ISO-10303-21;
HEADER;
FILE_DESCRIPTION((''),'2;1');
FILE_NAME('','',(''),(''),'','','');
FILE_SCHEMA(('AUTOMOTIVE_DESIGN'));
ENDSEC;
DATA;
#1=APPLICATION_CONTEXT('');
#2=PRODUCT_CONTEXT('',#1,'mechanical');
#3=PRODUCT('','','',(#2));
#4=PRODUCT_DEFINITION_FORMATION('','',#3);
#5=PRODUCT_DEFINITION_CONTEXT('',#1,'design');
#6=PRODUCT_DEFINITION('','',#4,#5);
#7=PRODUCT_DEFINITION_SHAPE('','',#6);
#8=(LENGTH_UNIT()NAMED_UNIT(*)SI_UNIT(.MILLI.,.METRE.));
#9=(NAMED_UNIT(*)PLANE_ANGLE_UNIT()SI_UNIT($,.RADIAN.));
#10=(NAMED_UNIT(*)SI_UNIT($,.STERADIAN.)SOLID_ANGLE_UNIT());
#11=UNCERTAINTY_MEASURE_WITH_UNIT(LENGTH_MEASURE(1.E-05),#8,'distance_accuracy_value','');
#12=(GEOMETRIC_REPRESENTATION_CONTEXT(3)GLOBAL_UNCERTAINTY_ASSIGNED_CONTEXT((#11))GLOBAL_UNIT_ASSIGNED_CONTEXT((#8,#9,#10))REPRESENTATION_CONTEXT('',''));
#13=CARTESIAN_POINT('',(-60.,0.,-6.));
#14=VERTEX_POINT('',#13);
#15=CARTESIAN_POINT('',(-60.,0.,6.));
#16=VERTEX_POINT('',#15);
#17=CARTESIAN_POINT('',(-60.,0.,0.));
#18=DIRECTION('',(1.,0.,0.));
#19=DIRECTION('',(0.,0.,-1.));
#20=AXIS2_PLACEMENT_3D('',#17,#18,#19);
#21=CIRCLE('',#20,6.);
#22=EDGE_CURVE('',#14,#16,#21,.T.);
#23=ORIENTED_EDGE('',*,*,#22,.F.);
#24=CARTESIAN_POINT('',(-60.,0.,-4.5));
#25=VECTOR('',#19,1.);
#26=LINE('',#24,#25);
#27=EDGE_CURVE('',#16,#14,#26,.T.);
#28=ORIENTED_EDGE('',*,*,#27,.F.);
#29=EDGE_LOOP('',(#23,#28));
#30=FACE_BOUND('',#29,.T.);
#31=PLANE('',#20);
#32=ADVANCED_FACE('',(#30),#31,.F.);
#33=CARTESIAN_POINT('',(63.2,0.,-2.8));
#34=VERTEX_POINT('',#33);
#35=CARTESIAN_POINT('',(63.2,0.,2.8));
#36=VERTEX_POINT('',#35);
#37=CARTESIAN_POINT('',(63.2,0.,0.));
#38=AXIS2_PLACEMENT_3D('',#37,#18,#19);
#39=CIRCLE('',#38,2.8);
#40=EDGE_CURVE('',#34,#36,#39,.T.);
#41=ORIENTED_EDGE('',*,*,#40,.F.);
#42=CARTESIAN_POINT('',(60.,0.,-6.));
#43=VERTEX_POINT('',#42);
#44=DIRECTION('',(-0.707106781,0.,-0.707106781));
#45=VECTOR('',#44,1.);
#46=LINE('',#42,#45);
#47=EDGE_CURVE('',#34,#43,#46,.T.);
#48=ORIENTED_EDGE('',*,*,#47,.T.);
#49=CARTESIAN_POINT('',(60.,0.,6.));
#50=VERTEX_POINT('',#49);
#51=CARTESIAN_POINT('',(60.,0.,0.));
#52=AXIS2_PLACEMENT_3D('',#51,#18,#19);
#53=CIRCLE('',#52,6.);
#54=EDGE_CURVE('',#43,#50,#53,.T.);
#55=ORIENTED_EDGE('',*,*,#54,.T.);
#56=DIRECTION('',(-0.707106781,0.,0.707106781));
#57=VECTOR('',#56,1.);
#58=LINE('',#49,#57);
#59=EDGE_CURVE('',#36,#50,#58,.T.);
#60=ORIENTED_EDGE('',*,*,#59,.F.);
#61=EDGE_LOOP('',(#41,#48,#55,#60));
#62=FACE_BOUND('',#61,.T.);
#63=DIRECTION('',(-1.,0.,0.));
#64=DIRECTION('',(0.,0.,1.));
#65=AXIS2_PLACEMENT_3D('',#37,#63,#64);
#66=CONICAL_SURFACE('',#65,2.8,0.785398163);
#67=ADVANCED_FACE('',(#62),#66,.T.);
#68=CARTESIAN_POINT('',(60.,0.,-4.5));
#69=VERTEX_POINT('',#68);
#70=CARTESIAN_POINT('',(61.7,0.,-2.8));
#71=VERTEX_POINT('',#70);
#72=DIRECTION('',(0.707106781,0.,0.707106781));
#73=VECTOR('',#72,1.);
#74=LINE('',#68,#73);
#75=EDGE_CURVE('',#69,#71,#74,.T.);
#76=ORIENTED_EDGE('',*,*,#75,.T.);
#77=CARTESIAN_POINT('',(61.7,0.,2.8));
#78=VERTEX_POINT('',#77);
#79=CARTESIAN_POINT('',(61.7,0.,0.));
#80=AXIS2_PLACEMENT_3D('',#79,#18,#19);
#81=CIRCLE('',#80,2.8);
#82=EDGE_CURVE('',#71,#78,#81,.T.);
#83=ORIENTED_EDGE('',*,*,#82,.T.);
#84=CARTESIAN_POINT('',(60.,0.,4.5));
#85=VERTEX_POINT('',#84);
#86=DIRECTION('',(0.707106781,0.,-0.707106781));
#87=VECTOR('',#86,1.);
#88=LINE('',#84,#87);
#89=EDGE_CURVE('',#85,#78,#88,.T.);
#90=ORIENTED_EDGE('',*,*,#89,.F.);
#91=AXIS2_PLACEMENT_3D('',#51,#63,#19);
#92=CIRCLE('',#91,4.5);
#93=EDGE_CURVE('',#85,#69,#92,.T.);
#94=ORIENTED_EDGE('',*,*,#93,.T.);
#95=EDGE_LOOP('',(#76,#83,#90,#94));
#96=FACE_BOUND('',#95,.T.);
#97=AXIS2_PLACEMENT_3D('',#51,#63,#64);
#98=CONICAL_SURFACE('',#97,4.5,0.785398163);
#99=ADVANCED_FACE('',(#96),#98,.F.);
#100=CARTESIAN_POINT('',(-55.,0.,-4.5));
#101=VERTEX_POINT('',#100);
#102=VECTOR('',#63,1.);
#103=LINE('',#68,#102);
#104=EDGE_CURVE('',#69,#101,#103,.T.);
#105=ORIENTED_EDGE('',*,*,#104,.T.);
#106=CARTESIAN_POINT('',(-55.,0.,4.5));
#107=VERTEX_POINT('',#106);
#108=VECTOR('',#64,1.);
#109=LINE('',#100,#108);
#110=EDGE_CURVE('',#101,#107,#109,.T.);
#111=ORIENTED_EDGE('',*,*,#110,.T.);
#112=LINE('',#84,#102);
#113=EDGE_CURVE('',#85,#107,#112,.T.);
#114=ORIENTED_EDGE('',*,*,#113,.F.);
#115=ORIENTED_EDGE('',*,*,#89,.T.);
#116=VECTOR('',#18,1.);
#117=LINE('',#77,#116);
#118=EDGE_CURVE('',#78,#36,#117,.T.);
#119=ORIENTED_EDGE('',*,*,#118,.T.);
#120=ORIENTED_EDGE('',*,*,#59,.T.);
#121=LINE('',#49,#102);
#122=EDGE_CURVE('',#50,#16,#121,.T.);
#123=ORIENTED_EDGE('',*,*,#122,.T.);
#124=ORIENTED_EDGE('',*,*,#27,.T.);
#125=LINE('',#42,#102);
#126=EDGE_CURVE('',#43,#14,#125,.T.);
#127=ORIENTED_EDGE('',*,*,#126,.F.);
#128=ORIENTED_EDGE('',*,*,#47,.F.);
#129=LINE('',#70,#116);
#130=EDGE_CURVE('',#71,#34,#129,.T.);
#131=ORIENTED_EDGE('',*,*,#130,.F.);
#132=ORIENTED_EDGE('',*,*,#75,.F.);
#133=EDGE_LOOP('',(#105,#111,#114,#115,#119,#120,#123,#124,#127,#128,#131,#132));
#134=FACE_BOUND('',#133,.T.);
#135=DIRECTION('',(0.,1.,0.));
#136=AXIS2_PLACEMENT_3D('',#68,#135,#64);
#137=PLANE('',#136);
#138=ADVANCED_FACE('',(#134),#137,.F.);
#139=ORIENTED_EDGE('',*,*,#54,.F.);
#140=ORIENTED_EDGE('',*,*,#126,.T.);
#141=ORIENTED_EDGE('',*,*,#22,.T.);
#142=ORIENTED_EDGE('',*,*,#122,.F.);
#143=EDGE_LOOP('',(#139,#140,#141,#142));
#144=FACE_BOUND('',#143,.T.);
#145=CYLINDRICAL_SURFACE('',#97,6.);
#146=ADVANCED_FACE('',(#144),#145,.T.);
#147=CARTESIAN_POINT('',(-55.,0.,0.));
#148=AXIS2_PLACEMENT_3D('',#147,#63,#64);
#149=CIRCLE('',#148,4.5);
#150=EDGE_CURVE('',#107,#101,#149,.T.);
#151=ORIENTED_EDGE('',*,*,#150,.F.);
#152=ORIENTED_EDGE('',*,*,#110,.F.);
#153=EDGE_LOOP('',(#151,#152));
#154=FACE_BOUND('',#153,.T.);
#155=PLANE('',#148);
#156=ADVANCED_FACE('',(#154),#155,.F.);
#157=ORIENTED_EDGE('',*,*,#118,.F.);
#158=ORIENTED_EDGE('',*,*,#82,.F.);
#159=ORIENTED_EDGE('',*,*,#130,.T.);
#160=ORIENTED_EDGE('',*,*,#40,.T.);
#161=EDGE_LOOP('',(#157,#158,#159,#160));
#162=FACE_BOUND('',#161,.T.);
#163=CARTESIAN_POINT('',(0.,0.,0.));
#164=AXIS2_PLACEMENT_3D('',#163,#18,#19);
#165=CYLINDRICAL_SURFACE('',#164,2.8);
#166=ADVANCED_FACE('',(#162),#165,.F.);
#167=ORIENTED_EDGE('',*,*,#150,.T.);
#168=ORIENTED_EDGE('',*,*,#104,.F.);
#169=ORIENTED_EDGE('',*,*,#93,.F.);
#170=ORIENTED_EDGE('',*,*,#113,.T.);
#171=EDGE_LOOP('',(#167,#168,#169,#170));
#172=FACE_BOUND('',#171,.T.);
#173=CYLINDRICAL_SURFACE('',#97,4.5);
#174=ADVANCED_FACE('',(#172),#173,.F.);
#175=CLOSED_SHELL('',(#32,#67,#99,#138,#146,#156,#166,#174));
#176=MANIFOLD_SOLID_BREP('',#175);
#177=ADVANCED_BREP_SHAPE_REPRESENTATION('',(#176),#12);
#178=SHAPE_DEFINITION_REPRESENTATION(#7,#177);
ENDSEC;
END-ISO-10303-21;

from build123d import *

# Parameters (mm, degrees)
BOSS_EXTRUDE1_DEPTH = 60
BOSS_EXTRUDE2_START = -5
BOSS_EXTRUDE2_DEPTH = 5
REVOLVE1_ANGLE      = 180


with BuildPart() as part:
    # Sketch1 → Boss-Extrude1 (new, symmetric)
    with BuildSketch(Plane(origin=(0, 0, 0), x_dir=(0, 0, -1), z_dir=(1, 0, 0))):
        with BuildLine():
            Line((-6, 0), (-4.5, 0))
            ThreePointArc((-4.5, 0), (0, 4.5), (4.5, 0))
            Line((4.5, 0), (6, 0))
            ThreePointArc((6, 0), (0, 6), (-6, 0))
        make_face()
    extrude(amount=BOSS_EXTRUDE1_DEPTH, both=True)

    # Sketch2 → Boss-Extrude2 (add)
    with BuildSketch(Plane.ZY.offset(60).offset(BOSS_EXTRUDE2_START)):
        with BuildLine():
            Line((-4.5, 0), (4.5, 0))
            ThreePointArc((4.5, 0), (0, 4.5), (-4.5, 0))
        make_face()
    extrude(amount=BOSS_EXTRUDE2_DEPTH)

    # Sketch3 → Revolve1 (revolve)
    with BuildSketch(Plane.XZ):
        Polygon((60, 6), (63.2, 2.8), (61.7, 2.8), (60, 4.5), align=None)
    revolve(axis=Axis((0, 0, 0), (-1, 0, 0)), revolution_arc=REVOLVE1_ANGLE)


solid = part.part
